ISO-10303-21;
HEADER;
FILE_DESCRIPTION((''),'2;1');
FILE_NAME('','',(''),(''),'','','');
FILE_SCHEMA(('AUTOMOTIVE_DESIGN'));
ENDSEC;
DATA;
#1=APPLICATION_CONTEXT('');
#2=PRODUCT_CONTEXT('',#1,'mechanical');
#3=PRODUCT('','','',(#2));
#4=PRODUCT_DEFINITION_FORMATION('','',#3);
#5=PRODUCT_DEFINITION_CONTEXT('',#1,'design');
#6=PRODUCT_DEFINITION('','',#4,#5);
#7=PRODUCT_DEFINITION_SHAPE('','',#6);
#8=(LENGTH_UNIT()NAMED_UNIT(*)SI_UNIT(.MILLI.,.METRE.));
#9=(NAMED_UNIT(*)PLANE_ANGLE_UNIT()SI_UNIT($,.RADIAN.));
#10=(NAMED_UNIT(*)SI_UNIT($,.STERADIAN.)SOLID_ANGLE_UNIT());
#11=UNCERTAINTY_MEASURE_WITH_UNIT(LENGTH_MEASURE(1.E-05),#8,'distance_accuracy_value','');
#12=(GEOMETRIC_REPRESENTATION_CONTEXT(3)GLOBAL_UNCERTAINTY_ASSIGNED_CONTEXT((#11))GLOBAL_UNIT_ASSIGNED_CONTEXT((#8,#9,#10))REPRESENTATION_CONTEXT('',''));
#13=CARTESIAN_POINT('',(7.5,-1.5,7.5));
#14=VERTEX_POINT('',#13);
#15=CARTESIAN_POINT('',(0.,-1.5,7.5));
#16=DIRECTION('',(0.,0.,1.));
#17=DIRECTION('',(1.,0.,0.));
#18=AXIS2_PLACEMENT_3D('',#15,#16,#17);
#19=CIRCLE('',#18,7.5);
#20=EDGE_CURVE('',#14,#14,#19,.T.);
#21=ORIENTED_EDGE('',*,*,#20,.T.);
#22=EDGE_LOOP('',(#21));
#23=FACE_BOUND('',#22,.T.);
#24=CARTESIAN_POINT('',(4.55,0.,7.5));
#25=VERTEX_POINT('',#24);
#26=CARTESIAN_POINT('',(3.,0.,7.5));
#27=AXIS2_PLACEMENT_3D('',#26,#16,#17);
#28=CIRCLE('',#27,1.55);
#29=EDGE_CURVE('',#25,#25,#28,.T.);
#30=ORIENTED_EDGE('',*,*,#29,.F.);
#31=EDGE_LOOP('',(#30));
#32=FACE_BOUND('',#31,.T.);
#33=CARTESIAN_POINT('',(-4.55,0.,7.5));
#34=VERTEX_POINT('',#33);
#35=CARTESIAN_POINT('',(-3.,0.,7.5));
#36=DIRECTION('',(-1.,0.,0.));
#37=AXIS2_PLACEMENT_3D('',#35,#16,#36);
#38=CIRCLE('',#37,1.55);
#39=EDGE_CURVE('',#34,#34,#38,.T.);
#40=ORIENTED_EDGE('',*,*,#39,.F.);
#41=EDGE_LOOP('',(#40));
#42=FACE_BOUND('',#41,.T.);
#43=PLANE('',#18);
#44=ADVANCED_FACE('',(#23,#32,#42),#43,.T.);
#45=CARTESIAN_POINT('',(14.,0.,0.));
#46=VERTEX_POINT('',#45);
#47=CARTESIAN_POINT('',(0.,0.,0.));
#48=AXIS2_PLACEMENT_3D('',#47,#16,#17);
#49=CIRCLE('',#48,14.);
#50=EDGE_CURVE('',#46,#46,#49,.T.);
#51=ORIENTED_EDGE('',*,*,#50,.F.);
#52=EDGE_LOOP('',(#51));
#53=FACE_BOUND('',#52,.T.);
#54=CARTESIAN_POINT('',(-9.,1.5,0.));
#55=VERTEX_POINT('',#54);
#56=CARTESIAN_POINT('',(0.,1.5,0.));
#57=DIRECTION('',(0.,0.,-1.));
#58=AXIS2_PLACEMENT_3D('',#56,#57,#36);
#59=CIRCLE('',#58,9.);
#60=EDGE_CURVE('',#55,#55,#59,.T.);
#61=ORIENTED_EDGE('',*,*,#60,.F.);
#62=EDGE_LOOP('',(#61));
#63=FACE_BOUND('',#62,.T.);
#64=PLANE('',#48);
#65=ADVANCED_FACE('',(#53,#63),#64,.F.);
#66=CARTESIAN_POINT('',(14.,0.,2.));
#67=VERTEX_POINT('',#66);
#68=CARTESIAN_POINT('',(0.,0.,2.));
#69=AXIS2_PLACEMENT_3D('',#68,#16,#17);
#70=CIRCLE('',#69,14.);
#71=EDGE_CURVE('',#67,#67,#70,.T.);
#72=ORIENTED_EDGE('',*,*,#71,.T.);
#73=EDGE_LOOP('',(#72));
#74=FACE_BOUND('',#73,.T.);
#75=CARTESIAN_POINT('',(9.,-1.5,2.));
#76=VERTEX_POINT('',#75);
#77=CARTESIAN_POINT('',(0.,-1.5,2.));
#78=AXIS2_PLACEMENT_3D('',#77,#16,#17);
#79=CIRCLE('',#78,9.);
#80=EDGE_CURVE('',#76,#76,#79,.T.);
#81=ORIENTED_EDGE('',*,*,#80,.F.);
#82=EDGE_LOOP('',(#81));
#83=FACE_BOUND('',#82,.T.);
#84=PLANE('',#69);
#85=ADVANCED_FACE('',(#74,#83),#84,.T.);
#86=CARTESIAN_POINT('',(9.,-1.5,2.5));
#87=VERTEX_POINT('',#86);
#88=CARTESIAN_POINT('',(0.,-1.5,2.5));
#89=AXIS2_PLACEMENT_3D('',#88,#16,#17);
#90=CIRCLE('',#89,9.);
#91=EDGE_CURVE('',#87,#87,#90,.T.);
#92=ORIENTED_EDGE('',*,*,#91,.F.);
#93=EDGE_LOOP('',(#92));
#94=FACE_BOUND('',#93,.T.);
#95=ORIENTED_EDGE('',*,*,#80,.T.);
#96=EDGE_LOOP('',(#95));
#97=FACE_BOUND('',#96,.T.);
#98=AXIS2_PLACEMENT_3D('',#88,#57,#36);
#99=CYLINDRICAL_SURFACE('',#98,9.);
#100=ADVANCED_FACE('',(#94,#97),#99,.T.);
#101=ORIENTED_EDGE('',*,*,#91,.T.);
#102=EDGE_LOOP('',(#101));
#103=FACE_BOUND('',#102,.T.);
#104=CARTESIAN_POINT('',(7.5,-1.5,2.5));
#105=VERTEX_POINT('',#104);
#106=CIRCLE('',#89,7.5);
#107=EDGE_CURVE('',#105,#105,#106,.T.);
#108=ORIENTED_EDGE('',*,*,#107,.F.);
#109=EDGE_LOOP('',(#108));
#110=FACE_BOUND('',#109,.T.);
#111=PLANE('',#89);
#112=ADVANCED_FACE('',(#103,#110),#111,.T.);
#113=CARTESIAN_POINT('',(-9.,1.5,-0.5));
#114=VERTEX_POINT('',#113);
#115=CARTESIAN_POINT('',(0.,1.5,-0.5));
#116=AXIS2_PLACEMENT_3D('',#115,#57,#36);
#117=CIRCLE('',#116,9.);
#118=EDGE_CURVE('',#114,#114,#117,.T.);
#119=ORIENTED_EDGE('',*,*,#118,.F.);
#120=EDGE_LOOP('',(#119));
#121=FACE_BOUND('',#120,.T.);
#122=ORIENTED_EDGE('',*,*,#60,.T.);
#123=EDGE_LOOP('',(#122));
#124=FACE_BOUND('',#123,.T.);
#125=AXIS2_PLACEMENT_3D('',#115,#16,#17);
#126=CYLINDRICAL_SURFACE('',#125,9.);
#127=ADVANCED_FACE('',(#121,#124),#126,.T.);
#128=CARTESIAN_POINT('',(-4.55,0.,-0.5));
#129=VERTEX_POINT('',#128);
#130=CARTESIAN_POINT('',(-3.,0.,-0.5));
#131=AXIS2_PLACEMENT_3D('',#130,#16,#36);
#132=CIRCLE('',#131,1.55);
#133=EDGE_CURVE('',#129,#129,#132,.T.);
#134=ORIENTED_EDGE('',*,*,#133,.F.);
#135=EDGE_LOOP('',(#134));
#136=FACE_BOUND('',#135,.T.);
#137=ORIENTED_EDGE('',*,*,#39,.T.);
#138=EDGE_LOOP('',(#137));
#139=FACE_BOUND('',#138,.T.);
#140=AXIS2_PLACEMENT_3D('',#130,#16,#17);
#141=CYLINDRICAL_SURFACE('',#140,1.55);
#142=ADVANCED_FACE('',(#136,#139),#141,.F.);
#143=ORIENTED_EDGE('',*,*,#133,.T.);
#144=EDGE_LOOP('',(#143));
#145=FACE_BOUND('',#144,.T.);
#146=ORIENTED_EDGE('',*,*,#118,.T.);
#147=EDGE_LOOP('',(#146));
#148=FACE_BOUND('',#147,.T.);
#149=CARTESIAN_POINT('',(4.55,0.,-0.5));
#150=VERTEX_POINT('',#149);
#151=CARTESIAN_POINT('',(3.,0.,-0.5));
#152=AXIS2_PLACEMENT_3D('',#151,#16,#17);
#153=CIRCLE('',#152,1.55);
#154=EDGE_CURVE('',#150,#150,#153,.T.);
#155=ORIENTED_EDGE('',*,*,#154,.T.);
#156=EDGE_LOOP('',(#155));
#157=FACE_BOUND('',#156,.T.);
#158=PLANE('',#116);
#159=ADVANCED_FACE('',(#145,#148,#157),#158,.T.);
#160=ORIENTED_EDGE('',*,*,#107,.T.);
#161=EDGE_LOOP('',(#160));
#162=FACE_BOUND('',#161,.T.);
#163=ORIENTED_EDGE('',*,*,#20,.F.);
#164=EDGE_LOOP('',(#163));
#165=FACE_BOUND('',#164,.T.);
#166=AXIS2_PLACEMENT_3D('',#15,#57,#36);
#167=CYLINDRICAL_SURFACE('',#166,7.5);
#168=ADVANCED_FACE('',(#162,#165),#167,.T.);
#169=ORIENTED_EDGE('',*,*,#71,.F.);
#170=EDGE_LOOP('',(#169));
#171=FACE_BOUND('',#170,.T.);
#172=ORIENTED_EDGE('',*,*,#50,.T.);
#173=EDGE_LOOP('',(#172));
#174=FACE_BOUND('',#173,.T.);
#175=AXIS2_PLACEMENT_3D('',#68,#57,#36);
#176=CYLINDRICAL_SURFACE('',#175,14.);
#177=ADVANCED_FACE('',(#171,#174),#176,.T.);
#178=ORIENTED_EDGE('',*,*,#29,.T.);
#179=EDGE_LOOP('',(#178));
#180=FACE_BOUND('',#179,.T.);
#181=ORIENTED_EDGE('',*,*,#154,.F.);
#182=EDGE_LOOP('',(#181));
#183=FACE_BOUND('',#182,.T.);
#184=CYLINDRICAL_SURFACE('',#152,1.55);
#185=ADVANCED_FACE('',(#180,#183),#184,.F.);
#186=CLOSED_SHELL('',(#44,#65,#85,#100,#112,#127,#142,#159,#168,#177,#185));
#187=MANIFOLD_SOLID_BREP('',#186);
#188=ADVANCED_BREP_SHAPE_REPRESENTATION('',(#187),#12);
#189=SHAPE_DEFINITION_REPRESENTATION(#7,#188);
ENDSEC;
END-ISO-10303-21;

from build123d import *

# Parameters (mm, degrees)
SKETCH1_R           = 14
BOSS_EXTRUDE1_DEPTH = 2
SKETCH2_R           = 9
BOSS_EXTRUDE2_DEPTH = 0.5
SKETCH4_R           = 7.5
BOSS_EXTRUDE3_DEPTH = 5
SKETCH6_R           = 9
BOSS_EXTRUDE4_DEPTH = 0.5
SKETCH5_R           = 1.55
CUT_EXTRUDE1_DEPTH  = 22.354156504


with BuildPart() as part:
    # Sketch1 → Boss-Extrude1 (new body)
    with BuildSketch(Plane.XY):
        Circle(SKETCH1_R)
    extrude(amount=BOSS_EXTRUDE1_DEPTH)

    # Sketch2 → Boss-Extrude2 (add)
    with BuildSketch(Plane.XY.offset(2)):
        with Locations((0, -1.5)):
            Circle(SKETCH2_R)
    extrude(amount=BOSS_EXTRUDE2_DEPTH)

    # Sketch4 → Boss-Extrude3 (add)
    with BuildSketch(Plane.XY.offset(2.5)):
        with Locations((0, -1.5)):
            Circle(SKETCH4_R)
    extrude(amount=BOSS_EXTRUDE3_DEPTH)

    # Sketch6 → Boss-Extrude4 (add)
    with BuildSketch(Plane(origin=(0, 0, 0), x_dir=(-1, 0, 0), z_dir=(0, 0, -1))):
        with Locations((0, 1.5)):
            Circle(SKETCH6_R)
    extrude(amount=BOSS_EXTRUDE4_DEPTH)

    # Sketch5 → Cut-Extrude1 (cut, through all)
    with BuildSketch(Plane.XY.offset(7.5)):
        with Locations((3, 0)):
            Circle(SKETCH5_R)
        with Locations(Location((-3, 0, 0), (0, 0, 180))):
            Circle(SKETCH5_R)
    extrude(amount=-CUT_EXTRUDE1_DEPTH, mode=Mode.SUBTRACT)


solid = part.part
